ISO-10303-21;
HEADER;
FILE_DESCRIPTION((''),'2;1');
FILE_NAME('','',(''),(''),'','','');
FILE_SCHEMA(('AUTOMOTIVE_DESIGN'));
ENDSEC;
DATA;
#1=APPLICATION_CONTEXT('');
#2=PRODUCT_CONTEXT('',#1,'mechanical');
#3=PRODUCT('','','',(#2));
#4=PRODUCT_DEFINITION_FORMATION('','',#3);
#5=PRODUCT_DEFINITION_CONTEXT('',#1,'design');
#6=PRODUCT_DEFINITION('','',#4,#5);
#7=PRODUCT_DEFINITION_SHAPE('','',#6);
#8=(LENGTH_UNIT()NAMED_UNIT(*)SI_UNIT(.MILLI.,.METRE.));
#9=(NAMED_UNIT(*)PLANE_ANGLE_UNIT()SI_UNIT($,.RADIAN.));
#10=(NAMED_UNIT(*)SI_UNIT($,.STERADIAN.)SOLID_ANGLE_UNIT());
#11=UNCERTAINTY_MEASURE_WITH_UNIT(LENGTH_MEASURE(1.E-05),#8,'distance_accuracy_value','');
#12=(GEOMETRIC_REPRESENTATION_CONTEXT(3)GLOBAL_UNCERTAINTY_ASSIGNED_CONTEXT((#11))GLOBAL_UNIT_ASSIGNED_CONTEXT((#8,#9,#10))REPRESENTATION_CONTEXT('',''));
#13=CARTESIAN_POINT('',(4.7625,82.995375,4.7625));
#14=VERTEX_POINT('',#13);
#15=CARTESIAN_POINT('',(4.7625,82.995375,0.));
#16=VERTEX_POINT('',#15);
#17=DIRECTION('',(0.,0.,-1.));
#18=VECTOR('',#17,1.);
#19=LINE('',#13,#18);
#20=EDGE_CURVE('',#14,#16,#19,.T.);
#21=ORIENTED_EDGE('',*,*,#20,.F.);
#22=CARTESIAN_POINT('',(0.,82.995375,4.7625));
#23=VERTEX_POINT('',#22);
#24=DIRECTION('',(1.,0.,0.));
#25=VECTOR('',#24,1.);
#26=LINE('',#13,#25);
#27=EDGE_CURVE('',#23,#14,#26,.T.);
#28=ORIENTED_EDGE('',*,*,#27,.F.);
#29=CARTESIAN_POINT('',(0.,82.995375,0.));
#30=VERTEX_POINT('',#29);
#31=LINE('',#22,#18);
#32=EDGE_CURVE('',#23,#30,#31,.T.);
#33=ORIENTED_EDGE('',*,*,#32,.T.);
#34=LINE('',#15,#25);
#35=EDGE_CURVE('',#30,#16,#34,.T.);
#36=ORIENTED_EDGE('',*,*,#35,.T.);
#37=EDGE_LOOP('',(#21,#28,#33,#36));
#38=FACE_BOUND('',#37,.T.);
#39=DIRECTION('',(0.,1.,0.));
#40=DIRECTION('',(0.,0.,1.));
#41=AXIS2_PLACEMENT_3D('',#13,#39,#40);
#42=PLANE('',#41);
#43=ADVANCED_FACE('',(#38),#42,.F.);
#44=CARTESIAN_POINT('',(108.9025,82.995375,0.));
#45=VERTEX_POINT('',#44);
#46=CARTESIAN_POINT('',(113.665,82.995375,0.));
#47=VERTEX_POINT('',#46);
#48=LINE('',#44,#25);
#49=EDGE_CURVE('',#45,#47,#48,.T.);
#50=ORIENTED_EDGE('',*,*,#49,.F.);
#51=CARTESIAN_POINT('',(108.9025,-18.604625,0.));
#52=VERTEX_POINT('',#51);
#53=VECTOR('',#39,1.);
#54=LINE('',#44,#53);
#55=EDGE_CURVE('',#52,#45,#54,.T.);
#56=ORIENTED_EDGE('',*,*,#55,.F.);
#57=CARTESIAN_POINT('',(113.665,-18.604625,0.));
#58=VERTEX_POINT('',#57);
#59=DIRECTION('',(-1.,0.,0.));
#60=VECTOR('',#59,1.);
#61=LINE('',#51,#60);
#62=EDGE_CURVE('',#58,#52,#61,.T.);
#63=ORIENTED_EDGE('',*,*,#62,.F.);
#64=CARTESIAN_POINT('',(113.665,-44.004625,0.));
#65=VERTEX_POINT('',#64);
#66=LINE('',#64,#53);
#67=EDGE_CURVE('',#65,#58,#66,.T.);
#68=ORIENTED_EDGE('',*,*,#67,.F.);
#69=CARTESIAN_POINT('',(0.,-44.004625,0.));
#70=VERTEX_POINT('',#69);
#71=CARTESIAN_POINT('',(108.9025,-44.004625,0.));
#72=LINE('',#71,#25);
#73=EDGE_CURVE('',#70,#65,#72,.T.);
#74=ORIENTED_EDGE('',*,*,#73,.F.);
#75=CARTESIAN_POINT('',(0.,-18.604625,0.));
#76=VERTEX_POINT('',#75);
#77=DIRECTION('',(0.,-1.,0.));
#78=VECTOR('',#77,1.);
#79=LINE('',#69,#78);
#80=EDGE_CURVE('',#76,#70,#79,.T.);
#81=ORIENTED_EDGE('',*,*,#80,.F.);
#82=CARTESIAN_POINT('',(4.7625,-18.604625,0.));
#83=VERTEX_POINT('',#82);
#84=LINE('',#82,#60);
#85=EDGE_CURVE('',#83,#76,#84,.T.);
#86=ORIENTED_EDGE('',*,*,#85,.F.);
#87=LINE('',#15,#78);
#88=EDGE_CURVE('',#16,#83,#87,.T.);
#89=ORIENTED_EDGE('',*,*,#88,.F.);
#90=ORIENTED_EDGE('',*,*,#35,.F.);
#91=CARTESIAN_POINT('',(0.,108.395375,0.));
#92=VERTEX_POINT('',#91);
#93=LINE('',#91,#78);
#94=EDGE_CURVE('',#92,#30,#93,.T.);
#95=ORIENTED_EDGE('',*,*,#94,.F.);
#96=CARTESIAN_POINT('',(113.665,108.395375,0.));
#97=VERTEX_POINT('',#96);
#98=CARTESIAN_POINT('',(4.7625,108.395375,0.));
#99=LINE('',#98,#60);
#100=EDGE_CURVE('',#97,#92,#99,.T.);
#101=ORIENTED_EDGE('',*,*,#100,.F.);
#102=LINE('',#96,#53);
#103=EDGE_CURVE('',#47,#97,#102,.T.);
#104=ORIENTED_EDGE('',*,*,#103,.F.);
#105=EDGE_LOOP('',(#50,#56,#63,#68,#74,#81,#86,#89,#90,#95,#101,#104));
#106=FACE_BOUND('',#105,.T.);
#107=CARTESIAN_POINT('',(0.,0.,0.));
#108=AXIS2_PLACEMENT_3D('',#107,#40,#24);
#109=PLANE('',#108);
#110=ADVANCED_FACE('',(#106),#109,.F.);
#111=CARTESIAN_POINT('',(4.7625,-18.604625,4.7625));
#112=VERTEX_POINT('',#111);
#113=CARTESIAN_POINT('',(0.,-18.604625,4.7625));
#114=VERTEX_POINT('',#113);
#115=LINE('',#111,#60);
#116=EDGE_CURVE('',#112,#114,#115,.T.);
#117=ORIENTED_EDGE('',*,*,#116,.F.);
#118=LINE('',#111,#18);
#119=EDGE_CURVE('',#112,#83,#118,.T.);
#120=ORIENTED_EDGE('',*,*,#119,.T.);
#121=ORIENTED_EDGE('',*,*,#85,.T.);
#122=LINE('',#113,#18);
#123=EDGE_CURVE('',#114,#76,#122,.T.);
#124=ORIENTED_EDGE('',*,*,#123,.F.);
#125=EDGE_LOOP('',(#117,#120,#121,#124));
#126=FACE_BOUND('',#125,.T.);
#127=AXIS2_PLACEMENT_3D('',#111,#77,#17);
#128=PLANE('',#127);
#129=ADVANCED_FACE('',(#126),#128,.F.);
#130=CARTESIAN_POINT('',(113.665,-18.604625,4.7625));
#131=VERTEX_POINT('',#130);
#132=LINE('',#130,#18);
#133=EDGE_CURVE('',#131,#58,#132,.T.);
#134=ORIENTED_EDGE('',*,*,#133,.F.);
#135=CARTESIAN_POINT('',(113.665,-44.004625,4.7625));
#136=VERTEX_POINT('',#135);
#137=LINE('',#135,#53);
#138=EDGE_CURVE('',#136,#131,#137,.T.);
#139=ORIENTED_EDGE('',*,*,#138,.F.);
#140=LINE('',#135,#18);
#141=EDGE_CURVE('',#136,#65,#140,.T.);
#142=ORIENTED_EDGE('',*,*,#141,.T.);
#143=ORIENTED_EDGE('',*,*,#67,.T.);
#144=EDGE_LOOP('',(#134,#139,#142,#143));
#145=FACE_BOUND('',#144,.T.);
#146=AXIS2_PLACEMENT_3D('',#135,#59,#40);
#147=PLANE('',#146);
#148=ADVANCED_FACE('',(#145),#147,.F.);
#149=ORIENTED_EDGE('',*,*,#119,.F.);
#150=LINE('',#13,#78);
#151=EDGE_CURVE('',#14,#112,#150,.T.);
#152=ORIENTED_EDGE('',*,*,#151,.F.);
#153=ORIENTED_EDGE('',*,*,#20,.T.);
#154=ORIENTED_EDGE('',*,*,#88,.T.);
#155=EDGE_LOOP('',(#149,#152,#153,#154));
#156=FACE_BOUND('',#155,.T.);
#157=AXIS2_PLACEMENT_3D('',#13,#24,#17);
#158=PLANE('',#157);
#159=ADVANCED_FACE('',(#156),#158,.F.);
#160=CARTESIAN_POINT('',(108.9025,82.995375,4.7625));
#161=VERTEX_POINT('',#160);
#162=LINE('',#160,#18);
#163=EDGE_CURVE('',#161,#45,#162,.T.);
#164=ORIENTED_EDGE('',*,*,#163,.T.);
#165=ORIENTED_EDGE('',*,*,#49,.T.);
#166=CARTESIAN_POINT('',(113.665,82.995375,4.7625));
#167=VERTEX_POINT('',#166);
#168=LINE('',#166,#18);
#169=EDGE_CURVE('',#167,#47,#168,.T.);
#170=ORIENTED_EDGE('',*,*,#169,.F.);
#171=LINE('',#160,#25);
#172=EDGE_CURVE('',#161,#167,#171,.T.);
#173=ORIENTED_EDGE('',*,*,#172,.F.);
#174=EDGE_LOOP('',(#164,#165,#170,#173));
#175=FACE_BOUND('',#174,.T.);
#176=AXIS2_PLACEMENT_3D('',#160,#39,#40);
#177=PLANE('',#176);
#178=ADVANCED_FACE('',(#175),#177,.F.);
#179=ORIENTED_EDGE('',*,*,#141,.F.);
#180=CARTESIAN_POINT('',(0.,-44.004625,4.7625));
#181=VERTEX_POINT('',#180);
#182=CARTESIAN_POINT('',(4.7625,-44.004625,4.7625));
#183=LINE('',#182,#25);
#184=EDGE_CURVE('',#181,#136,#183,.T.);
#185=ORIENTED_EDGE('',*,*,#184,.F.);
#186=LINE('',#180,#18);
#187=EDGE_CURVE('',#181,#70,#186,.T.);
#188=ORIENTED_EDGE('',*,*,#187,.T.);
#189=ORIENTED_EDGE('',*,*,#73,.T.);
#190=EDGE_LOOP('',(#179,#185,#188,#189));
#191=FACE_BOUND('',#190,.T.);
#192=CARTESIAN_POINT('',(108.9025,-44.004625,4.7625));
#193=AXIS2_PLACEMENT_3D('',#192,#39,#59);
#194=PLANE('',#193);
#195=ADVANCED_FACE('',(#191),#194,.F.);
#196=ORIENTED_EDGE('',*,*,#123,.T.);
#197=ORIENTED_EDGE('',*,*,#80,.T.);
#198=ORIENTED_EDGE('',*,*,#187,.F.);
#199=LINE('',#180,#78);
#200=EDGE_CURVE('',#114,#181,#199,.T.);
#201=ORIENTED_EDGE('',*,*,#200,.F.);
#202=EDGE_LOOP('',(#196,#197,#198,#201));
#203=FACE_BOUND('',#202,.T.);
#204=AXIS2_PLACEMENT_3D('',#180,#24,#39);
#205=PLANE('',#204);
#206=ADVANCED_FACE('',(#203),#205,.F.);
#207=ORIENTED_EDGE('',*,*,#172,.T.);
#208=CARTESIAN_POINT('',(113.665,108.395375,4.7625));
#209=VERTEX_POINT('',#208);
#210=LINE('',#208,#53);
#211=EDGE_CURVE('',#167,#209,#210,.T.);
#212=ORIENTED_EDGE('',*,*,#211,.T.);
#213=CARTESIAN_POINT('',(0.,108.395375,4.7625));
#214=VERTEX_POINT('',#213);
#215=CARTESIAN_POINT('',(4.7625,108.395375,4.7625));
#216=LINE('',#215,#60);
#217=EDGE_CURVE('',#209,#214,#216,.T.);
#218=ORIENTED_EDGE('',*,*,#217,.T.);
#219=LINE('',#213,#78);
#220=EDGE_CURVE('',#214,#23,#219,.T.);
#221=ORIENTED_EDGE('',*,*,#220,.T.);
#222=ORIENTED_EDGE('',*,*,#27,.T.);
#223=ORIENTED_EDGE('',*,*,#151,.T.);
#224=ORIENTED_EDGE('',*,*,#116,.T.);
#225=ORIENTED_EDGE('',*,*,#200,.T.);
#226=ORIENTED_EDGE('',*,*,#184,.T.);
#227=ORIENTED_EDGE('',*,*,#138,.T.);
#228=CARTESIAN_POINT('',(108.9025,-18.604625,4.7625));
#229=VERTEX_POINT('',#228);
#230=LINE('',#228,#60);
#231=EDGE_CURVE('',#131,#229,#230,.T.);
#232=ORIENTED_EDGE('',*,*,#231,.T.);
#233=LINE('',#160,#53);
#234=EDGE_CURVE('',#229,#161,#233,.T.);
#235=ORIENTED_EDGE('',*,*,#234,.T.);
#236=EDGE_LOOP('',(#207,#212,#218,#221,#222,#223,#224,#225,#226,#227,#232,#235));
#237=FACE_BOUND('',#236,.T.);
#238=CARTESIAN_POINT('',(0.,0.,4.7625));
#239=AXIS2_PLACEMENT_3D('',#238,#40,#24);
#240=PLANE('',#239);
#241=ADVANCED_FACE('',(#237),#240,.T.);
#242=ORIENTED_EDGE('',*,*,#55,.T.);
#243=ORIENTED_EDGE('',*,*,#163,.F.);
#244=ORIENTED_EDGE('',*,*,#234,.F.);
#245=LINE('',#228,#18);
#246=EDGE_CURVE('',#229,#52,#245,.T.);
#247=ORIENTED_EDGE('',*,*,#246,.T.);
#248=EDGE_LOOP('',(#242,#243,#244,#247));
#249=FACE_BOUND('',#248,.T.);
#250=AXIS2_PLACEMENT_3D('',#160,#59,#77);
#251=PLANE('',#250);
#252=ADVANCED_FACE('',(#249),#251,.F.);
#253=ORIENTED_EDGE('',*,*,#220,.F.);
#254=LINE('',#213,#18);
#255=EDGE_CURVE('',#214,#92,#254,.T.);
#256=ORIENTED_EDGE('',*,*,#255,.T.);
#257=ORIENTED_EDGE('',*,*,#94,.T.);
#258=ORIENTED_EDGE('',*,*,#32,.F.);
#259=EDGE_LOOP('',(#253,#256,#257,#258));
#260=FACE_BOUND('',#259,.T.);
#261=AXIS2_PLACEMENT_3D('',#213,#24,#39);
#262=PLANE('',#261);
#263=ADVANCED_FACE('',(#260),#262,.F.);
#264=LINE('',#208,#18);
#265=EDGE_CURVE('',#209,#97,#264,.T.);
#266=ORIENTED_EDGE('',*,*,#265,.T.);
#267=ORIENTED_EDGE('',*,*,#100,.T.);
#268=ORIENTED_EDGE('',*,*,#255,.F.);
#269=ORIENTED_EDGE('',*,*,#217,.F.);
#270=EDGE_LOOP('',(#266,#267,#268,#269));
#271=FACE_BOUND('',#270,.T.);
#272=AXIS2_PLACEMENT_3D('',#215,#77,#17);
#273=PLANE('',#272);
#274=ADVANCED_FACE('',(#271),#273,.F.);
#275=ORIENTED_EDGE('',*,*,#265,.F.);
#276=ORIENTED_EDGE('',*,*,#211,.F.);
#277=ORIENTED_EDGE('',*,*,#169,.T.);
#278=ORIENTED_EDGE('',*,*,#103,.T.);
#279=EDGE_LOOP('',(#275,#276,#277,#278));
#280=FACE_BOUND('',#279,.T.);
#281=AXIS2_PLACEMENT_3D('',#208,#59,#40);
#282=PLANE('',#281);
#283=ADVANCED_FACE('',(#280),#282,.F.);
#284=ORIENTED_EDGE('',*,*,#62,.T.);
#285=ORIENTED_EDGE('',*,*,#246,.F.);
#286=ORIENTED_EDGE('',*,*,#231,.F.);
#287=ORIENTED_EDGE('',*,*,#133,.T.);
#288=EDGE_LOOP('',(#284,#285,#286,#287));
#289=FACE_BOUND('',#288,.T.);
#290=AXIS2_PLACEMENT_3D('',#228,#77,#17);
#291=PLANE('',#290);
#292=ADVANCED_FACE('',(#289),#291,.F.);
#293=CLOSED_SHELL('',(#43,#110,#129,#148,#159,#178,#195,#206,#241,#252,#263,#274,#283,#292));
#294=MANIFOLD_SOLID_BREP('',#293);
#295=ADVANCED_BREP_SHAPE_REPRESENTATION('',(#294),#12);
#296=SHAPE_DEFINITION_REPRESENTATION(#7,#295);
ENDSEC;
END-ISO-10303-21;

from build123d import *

# Parameters (mm, degrees)
BOSS_EXTRUDE1_DEPTH = 4.7625


with BuildPart() as part:
    # Sketch1 → Boss-Extrude1 (new body)
    with BuildSketch(Plane.XY):
        Polygon((4.7625, 108.395374669), (108.9025, 108.395374669), (113.665, 108.395374669), (113.665, 82.995374669), (108.9025, 82.995374669), (108.9025, -18.604625331), (113.665, -18.604625331), (113.665, -44.004625331), (108.9025, -44.004625331), (4.7625, -44.004625331), (0, -44.004625331), (0, -18.604625331), (4.7625, -18.604625331), (4.7625, 82.995374669), (0, 82.995374669), (0, 108.395374669), align=None)
    extrude(amount=BOSS_EXTRUDE1_DEPTH)


solid = part.part
